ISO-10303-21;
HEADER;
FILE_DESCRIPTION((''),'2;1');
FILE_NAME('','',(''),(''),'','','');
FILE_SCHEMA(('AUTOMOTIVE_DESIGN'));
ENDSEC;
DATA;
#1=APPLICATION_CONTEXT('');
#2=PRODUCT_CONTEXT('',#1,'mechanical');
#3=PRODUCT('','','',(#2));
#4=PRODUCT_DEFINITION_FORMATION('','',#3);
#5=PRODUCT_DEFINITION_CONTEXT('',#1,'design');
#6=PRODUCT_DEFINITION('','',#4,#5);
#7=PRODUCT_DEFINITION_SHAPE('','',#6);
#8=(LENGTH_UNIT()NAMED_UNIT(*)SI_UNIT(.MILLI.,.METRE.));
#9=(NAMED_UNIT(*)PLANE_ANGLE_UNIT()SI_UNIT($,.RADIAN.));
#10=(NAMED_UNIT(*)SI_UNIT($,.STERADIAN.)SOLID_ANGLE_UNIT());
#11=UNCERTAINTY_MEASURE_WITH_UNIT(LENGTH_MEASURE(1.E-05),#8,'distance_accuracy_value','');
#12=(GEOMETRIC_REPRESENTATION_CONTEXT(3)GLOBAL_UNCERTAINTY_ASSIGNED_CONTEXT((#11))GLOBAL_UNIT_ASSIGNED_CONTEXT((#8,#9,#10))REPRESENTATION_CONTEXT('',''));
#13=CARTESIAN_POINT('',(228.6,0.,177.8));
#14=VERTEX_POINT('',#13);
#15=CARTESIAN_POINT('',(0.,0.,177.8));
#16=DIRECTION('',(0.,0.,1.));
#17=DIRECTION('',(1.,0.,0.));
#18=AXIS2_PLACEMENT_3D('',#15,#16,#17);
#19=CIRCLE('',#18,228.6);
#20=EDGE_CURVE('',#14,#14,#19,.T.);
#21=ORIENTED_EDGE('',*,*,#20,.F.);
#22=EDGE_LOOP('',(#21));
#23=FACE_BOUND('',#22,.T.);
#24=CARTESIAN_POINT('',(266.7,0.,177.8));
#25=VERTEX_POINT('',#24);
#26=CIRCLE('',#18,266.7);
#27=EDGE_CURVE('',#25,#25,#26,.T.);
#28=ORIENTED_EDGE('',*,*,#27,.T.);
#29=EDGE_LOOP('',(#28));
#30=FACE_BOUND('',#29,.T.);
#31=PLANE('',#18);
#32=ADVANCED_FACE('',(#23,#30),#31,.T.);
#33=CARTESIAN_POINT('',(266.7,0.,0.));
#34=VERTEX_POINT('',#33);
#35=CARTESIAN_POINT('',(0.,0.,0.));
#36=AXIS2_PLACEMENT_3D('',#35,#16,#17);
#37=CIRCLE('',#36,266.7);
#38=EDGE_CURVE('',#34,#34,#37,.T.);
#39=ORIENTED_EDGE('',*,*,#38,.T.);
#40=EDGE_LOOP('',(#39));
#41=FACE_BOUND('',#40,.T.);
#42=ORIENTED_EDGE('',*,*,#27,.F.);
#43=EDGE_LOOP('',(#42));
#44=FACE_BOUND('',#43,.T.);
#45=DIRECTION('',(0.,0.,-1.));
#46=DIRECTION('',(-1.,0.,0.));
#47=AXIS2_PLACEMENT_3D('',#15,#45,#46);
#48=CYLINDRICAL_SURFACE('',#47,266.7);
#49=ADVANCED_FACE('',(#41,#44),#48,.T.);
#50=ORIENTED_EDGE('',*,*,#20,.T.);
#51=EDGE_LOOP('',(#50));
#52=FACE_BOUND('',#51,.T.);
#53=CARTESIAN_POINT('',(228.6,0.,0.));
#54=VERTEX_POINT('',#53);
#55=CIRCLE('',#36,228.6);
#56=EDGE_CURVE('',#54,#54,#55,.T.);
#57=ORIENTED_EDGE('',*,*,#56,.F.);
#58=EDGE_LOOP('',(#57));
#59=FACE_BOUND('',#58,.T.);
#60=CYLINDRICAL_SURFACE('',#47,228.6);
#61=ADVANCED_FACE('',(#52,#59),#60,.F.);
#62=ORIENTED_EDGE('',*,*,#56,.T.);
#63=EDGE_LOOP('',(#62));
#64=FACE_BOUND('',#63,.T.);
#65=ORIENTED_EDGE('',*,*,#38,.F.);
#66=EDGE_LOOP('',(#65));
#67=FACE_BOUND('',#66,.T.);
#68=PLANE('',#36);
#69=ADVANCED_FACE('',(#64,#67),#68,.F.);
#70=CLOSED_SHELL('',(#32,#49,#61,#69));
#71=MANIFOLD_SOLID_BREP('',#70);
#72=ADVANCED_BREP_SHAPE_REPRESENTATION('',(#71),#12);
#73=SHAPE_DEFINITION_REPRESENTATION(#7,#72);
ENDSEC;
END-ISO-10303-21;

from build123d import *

# Parameters (mm, degrees)
SKETCH1_R           = 266.7
SKETCH1_R_2         = 228.6
BOSS_EXTRUDE1_DEPTH = 177.8


with BuildPart() as part:
    # Sketch1 → Boss-Extrude1 (new body)
    with BuildSketch(Plane.XY):
        Circle(SKETCH1_R)
        Circle(SKETCH1_R_2, mode=Mode.SUBTRACT)
    extrude(amount=BOSS_EXTRUDE1_DEPTH)


solid = part.part
